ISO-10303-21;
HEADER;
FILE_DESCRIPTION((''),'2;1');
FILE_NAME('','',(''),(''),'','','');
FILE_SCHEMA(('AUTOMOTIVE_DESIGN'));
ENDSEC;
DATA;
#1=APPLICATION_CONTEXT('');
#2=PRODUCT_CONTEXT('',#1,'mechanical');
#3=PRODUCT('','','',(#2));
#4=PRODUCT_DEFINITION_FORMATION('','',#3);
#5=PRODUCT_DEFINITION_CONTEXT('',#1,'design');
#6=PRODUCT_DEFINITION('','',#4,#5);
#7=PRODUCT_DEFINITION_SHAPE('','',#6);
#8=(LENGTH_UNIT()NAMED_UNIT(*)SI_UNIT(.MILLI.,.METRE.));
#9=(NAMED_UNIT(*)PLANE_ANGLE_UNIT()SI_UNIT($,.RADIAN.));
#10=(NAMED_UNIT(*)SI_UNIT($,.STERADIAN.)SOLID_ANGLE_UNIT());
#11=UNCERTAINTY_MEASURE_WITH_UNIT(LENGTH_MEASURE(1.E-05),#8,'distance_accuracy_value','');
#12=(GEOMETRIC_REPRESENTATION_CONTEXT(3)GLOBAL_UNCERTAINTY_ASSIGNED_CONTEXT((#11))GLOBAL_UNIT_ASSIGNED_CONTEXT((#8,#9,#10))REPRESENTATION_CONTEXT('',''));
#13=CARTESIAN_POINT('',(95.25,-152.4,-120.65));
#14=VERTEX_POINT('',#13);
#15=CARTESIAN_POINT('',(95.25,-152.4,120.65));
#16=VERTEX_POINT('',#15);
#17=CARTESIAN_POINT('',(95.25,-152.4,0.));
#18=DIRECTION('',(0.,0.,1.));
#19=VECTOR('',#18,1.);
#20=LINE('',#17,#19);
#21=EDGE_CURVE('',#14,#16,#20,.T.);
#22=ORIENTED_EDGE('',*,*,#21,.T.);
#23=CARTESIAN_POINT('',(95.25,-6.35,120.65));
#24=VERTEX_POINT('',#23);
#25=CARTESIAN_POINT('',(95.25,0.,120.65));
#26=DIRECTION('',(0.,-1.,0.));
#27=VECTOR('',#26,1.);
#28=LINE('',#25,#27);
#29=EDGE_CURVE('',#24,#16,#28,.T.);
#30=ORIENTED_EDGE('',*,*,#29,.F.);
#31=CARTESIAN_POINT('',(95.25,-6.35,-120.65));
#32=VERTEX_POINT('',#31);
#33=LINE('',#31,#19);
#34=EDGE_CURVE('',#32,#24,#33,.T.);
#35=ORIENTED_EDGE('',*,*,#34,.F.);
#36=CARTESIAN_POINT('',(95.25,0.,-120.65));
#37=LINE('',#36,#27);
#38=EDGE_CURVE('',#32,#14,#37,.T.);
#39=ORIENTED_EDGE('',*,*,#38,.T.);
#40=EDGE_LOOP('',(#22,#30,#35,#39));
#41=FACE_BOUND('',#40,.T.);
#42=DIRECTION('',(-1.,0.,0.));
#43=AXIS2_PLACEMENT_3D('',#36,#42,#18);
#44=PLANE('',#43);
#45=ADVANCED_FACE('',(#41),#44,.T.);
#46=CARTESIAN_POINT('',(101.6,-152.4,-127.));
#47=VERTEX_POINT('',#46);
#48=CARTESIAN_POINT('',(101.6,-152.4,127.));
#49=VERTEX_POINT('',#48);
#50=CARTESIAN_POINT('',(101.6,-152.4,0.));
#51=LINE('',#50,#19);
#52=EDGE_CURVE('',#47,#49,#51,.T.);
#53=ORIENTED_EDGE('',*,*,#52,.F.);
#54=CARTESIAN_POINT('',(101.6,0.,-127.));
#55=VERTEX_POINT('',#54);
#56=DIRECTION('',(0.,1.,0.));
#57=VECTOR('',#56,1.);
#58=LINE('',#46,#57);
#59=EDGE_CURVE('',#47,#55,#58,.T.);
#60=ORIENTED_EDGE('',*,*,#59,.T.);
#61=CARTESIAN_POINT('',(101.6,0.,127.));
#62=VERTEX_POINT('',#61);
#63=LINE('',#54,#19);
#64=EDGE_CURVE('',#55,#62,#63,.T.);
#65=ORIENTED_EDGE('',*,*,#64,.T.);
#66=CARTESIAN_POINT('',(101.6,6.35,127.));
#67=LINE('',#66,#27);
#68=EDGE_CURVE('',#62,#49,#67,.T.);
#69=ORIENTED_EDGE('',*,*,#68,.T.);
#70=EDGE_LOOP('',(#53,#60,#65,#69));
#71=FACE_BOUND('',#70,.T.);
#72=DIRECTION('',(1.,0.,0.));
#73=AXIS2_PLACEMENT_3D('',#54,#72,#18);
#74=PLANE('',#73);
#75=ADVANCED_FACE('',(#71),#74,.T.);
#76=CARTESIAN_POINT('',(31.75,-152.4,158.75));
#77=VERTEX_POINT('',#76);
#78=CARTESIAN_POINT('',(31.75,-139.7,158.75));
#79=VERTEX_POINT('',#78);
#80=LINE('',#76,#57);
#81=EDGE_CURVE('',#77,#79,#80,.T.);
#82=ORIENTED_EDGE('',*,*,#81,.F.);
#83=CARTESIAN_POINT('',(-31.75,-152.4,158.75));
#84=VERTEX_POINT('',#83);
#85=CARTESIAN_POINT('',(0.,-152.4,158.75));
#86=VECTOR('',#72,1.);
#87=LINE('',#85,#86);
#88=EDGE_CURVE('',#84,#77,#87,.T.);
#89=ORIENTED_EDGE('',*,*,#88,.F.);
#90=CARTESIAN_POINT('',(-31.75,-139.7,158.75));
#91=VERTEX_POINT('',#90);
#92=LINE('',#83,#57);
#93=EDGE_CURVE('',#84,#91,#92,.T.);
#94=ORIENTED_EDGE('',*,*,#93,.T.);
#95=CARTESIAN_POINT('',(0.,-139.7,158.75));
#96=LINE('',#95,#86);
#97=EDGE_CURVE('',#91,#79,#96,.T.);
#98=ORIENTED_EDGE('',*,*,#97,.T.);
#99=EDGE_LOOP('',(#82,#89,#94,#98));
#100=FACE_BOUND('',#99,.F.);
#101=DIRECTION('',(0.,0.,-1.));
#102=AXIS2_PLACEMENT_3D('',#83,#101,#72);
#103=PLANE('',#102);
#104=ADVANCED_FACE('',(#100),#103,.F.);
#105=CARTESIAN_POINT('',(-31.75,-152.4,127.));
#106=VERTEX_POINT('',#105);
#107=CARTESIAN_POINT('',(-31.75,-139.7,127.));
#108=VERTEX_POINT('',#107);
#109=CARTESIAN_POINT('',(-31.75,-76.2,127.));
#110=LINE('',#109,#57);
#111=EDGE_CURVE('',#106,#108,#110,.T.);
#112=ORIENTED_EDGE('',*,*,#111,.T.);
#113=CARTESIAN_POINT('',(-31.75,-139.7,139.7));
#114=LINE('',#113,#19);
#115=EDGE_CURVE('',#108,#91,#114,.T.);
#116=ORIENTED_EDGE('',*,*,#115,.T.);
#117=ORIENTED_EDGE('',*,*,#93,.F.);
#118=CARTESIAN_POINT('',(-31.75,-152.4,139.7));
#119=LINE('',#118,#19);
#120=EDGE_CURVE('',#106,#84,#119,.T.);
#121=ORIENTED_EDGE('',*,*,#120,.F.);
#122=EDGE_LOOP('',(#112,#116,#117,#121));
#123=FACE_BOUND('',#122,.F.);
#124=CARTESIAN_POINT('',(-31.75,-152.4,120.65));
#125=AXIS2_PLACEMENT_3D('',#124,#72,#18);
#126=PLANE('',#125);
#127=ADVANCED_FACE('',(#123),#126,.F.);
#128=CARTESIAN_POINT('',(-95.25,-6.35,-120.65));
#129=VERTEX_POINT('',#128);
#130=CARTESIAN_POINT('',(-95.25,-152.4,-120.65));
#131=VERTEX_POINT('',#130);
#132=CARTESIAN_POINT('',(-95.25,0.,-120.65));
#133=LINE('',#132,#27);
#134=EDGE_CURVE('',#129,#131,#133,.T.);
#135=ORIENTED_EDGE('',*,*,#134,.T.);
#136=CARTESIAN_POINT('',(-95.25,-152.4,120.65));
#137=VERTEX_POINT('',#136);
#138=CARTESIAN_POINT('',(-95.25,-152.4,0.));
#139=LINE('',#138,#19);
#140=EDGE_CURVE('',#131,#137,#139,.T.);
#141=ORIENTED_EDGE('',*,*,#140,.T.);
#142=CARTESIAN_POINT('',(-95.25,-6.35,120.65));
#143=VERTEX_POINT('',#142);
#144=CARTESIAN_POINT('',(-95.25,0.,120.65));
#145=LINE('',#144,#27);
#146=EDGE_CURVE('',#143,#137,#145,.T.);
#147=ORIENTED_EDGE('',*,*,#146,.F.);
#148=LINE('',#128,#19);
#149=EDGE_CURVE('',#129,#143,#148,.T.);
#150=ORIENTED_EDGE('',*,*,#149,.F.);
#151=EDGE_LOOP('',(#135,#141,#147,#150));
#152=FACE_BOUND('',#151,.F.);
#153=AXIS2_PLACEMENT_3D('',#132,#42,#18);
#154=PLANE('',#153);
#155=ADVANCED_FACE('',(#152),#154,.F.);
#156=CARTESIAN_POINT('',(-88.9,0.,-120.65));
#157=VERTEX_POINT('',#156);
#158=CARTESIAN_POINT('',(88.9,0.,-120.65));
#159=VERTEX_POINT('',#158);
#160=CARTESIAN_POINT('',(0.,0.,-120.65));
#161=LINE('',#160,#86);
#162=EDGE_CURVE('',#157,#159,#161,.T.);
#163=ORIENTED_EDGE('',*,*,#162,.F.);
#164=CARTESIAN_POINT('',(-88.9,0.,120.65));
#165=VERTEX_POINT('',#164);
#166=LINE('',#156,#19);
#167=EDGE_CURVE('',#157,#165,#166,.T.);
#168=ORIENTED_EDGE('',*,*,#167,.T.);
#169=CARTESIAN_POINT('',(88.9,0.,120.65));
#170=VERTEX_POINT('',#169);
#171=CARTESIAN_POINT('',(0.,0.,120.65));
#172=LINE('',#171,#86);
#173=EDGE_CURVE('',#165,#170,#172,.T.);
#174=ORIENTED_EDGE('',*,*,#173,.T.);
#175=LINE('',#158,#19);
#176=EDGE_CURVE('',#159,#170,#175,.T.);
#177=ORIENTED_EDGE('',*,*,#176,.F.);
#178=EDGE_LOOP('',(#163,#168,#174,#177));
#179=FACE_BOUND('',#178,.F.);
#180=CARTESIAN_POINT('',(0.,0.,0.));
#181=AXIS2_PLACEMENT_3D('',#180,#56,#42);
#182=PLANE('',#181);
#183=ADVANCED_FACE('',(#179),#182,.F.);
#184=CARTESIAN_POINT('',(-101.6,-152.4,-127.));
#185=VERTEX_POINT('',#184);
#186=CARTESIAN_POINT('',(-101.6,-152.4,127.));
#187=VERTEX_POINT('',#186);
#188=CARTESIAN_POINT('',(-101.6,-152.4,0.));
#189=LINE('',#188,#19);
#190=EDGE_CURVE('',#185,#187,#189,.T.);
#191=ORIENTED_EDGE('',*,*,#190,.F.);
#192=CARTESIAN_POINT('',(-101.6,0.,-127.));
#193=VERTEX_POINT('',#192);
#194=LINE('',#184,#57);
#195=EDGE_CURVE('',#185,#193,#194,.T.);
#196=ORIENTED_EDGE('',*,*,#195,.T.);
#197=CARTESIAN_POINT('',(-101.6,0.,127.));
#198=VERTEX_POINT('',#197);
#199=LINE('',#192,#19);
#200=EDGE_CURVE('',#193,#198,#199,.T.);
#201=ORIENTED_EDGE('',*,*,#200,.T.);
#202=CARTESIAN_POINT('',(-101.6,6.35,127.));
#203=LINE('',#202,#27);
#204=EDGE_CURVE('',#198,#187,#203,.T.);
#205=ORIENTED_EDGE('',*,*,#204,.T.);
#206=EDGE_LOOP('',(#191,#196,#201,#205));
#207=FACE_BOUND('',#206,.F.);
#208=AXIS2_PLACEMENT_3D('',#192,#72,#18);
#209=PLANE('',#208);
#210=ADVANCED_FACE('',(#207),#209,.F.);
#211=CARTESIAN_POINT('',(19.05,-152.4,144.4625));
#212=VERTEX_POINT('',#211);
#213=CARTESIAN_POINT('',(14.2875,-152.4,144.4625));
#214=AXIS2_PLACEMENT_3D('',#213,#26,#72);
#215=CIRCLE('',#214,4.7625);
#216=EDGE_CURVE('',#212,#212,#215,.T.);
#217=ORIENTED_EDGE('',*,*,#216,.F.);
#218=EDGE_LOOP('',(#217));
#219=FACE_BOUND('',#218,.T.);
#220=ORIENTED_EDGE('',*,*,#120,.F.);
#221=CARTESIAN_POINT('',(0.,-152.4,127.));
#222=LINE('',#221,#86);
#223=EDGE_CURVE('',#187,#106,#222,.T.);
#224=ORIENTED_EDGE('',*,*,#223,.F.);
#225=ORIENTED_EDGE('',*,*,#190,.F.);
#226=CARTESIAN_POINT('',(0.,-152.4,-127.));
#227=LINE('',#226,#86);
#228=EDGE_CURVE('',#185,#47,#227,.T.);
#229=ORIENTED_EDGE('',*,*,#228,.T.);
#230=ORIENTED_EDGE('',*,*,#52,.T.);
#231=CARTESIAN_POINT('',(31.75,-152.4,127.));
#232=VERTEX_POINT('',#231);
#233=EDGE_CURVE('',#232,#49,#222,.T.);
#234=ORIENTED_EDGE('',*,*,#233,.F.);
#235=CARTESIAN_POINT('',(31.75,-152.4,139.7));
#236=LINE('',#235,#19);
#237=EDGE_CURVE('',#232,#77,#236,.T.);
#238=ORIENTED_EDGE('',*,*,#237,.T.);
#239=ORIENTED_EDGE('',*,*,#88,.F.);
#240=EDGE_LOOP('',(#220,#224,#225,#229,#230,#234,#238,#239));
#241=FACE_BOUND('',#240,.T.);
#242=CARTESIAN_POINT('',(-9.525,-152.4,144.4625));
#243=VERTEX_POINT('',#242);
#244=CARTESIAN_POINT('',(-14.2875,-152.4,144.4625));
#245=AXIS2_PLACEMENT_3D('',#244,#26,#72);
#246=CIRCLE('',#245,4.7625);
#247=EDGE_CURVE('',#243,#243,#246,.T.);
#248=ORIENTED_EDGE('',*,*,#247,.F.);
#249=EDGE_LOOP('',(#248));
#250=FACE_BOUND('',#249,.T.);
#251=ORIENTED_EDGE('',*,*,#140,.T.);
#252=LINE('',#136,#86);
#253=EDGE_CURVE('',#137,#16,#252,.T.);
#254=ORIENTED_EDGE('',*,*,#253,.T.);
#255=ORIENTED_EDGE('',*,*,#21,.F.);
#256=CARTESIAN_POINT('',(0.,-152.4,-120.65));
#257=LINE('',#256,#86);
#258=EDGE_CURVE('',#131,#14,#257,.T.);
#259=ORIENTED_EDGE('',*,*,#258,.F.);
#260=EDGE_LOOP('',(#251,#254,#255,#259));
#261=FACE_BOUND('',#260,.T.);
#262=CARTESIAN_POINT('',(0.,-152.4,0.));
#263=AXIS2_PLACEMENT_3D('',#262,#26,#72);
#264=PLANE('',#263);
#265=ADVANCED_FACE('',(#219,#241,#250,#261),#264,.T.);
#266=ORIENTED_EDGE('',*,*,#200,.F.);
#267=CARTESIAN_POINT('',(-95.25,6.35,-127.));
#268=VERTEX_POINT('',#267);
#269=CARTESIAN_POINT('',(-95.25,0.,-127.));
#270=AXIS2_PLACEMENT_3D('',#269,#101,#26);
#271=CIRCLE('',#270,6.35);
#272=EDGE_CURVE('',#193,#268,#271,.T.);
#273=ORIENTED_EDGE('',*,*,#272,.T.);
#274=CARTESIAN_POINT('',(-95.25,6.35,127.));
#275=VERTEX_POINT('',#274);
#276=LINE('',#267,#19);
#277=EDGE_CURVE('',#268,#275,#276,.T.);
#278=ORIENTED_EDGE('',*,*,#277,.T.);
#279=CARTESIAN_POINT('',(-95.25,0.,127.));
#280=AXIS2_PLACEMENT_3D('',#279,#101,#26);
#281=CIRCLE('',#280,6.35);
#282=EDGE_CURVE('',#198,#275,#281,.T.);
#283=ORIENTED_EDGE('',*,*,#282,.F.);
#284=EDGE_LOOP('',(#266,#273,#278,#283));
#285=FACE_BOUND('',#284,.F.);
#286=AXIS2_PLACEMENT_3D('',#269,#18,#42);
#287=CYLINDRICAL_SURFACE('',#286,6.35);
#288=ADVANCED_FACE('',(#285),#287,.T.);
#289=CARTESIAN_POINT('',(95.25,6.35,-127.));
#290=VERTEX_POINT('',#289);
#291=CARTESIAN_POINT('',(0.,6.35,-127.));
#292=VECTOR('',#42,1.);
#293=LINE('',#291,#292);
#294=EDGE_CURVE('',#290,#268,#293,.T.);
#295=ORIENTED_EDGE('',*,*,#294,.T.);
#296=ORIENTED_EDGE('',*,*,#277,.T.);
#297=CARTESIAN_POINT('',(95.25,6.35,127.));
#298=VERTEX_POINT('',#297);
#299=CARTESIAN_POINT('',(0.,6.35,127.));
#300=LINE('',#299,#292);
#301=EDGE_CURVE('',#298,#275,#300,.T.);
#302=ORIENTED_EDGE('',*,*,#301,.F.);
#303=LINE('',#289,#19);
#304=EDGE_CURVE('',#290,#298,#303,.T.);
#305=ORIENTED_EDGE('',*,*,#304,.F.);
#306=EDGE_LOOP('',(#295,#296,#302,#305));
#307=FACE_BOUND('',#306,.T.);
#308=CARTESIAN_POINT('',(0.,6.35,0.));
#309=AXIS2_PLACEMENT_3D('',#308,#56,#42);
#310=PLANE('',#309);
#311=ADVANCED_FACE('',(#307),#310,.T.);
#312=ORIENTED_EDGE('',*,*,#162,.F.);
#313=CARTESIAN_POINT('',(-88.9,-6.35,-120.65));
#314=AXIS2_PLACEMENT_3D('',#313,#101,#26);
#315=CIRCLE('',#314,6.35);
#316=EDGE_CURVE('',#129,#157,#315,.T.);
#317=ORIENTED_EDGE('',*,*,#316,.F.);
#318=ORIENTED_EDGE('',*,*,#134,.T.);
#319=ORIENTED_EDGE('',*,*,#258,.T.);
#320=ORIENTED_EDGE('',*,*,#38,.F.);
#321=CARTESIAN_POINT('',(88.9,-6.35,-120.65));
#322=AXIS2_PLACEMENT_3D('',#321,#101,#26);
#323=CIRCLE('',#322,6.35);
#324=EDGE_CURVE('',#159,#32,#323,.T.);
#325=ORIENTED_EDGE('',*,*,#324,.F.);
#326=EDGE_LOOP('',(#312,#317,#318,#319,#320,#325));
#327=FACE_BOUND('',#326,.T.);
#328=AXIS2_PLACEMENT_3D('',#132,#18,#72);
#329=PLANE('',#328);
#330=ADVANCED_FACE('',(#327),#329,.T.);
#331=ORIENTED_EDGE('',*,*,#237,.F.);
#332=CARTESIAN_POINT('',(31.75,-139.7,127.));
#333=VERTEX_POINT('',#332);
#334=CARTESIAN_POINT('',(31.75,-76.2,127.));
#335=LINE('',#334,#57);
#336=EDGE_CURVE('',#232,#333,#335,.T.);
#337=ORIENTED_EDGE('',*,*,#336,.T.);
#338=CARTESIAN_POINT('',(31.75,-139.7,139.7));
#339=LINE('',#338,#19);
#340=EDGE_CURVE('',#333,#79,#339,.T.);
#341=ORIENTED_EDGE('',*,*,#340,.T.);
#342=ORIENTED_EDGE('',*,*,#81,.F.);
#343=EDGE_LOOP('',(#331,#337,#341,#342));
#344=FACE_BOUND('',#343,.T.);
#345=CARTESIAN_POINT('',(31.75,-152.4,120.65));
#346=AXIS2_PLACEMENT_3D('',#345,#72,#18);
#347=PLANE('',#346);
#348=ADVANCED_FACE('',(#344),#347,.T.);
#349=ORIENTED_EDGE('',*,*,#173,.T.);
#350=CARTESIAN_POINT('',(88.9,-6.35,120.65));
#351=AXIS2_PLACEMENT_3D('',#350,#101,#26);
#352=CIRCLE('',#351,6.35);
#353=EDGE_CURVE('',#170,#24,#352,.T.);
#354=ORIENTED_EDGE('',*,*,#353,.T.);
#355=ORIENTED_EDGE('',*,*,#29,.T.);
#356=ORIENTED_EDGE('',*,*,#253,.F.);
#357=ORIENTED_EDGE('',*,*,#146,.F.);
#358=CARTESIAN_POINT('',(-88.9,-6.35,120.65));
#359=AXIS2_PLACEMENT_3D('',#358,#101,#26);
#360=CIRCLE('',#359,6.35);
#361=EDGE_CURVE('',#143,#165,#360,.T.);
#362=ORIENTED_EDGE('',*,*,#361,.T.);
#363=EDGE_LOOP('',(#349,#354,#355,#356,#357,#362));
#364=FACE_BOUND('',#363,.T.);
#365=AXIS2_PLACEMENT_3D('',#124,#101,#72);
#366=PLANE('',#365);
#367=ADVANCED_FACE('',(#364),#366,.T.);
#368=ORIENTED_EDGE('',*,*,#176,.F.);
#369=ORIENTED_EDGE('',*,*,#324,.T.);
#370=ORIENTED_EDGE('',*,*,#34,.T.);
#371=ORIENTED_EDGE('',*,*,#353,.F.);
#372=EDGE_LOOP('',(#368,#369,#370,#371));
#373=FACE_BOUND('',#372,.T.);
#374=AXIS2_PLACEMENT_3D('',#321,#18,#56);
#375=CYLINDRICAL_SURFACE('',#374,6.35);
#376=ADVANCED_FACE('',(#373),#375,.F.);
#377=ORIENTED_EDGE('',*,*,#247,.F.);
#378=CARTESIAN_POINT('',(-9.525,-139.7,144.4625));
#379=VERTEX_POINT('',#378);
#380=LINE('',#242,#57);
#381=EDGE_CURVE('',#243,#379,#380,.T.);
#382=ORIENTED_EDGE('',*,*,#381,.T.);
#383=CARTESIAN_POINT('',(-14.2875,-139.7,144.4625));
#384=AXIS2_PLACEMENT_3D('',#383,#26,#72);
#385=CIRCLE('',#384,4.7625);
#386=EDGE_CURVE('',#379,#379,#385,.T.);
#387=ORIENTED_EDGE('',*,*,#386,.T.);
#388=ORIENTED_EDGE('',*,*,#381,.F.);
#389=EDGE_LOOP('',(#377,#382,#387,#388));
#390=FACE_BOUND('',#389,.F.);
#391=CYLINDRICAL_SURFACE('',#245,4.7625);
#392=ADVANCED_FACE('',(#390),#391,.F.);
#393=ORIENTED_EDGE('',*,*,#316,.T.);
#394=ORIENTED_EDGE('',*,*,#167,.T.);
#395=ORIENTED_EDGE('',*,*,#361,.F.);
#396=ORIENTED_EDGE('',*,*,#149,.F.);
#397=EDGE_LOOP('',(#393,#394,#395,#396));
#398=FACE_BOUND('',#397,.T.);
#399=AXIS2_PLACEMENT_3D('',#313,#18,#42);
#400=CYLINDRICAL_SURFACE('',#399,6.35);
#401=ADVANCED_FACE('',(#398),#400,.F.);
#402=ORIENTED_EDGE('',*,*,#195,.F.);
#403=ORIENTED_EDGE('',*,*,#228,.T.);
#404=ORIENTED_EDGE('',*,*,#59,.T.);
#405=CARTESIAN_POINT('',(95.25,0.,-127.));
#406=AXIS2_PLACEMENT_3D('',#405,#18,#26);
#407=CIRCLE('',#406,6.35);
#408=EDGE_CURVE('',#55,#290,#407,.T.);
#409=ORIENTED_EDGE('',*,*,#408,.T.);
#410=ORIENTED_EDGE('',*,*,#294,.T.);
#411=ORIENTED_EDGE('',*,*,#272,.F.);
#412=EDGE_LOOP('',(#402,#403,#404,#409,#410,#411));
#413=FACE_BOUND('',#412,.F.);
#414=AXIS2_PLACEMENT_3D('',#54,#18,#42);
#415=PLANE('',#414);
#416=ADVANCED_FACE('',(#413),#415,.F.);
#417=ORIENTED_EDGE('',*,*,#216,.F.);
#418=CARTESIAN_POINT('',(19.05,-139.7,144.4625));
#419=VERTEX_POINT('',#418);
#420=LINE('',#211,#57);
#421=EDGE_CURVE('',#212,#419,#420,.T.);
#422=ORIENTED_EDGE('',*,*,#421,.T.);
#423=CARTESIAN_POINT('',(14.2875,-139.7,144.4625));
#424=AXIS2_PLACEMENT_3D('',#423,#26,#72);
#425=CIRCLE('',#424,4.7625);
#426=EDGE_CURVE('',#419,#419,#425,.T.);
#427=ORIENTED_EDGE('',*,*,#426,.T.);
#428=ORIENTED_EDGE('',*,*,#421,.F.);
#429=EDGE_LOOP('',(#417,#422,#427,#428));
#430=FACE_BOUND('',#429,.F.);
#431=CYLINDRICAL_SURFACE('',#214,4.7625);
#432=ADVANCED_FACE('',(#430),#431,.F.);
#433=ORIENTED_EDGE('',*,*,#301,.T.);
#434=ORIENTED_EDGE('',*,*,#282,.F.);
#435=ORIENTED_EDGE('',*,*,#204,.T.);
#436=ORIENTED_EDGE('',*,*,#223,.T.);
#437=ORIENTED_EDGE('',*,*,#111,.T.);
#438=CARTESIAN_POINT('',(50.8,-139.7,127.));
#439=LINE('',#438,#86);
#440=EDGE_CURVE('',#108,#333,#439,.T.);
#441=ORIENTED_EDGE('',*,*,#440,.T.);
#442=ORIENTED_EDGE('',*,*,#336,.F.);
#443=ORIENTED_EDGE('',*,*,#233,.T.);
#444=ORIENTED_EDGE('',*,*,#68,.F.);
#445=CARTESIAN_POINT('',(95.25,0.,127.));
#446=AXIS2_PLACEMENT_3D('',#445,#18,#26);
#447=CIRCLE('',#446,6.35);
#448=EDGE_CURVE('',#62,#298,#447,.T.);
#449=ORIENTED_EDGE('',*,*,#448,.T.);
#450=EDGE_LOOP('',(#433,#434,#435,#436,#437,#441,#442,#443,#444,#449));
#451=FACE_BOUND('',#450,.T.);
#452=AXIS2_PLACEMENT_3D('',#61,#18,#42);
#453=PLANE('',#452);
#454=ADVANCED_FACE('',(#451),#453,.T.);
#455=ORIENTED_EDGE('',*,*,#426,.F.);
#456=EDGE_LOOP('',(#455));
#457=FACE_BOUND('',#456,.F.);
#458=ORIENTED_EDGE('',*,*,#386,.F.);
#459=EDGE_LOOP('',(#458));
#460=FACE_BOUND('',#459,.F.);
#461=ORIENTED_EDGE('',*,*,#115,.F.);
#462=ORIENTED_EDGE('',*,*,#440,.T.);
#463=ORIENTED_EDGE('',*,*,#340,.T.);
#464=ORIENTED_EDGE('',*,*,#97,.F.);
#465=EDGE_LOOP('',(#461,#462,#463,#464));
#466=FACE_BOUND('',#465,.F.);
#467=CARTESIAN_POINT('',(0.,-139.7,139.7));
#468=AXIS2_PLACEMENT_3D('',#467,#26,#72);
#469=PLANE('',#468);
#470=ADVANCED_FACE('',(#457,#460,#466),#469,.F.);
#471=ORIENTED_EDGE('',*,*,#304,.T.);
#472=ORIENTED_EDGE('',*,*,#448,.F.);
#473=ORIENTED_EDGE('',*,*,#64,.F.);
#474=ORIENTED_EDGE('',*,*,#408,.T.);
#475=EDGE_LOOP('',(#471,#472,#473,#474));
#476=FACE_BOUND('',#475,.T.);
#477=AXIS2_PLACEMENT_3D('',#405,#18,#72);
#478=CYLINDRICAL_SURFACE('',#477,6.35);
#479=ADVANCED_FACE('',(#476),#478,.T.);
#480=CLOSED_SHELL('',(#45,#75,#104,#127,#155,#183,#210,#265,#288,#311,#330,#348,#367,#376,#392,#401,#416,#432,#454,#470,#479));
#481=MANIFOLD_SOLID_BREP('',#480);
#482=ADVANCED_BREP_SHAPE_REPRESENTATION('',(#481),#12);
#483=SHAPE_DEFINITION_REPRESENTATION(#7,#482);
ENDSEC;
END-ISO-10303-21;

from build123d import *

# Parameters (mm, degrees)
F0_W     = 203.2
F0_H     = 254
F0_W_2   = 190.5
F0_H_2   = 241.3
F1_DEPTH = 152.4
F2_W     = 203.2
F2_H     = 254
F3_DEPTH = 6.35
F4_R     = 6.35
F5_W     = 63.5
F5_H     = 38.1
F5_R     = 4.7625
F6_DEPTH = 12.7


with BuildPart() as f1:
    # F0 (on Front) → F1 (new body)
    with BuildSketch(Plane.XZ):
        Rectangle(F0_W, F0_H)
        Rectangle(F0_W_2, F0_H_2, mode=Mode.SUBTRACT)
    extrude(amount=F1_DEPTH)

    # F2 (on face) → F3 (join)
    with BuildSketch(Plane(origin=(0, 0, 0), x_dir=(-1, 0, 0), z_dir=(0, 1, 0))):
        Rectangle(F2_W, F2_H)
    extrude(amount=F3_DEPTH)

    # F4
    f4_edges = [f1.edges().sort_by_distance(p)[0] for p in [
        (-95.25, 0, 0),
        (95.25, 0, 0),
        (-101.6, 6.35, 0),
        (101.6, 6.35, 0),
    ]]
    fillet(f4_edges, radius=F4_R)

    # F5 (on face) → F6 (join)
    with BuildSketch(Plane.XZ.offset(152.4)):
        with Locations((0, 139.7)):
            Rectangle(F5_W, F5_H)
        with Locations((-14.2875, 144.4625)):
            Circle(F5_R, mode=Mode.SUBTRACT)
        with Locations((14.2875, 144.4625)):
            Circle(F5_R, mode=Mode.SUBTRACT)
    extrude(amount=-F6_DEPTH)


solid = f1.part
